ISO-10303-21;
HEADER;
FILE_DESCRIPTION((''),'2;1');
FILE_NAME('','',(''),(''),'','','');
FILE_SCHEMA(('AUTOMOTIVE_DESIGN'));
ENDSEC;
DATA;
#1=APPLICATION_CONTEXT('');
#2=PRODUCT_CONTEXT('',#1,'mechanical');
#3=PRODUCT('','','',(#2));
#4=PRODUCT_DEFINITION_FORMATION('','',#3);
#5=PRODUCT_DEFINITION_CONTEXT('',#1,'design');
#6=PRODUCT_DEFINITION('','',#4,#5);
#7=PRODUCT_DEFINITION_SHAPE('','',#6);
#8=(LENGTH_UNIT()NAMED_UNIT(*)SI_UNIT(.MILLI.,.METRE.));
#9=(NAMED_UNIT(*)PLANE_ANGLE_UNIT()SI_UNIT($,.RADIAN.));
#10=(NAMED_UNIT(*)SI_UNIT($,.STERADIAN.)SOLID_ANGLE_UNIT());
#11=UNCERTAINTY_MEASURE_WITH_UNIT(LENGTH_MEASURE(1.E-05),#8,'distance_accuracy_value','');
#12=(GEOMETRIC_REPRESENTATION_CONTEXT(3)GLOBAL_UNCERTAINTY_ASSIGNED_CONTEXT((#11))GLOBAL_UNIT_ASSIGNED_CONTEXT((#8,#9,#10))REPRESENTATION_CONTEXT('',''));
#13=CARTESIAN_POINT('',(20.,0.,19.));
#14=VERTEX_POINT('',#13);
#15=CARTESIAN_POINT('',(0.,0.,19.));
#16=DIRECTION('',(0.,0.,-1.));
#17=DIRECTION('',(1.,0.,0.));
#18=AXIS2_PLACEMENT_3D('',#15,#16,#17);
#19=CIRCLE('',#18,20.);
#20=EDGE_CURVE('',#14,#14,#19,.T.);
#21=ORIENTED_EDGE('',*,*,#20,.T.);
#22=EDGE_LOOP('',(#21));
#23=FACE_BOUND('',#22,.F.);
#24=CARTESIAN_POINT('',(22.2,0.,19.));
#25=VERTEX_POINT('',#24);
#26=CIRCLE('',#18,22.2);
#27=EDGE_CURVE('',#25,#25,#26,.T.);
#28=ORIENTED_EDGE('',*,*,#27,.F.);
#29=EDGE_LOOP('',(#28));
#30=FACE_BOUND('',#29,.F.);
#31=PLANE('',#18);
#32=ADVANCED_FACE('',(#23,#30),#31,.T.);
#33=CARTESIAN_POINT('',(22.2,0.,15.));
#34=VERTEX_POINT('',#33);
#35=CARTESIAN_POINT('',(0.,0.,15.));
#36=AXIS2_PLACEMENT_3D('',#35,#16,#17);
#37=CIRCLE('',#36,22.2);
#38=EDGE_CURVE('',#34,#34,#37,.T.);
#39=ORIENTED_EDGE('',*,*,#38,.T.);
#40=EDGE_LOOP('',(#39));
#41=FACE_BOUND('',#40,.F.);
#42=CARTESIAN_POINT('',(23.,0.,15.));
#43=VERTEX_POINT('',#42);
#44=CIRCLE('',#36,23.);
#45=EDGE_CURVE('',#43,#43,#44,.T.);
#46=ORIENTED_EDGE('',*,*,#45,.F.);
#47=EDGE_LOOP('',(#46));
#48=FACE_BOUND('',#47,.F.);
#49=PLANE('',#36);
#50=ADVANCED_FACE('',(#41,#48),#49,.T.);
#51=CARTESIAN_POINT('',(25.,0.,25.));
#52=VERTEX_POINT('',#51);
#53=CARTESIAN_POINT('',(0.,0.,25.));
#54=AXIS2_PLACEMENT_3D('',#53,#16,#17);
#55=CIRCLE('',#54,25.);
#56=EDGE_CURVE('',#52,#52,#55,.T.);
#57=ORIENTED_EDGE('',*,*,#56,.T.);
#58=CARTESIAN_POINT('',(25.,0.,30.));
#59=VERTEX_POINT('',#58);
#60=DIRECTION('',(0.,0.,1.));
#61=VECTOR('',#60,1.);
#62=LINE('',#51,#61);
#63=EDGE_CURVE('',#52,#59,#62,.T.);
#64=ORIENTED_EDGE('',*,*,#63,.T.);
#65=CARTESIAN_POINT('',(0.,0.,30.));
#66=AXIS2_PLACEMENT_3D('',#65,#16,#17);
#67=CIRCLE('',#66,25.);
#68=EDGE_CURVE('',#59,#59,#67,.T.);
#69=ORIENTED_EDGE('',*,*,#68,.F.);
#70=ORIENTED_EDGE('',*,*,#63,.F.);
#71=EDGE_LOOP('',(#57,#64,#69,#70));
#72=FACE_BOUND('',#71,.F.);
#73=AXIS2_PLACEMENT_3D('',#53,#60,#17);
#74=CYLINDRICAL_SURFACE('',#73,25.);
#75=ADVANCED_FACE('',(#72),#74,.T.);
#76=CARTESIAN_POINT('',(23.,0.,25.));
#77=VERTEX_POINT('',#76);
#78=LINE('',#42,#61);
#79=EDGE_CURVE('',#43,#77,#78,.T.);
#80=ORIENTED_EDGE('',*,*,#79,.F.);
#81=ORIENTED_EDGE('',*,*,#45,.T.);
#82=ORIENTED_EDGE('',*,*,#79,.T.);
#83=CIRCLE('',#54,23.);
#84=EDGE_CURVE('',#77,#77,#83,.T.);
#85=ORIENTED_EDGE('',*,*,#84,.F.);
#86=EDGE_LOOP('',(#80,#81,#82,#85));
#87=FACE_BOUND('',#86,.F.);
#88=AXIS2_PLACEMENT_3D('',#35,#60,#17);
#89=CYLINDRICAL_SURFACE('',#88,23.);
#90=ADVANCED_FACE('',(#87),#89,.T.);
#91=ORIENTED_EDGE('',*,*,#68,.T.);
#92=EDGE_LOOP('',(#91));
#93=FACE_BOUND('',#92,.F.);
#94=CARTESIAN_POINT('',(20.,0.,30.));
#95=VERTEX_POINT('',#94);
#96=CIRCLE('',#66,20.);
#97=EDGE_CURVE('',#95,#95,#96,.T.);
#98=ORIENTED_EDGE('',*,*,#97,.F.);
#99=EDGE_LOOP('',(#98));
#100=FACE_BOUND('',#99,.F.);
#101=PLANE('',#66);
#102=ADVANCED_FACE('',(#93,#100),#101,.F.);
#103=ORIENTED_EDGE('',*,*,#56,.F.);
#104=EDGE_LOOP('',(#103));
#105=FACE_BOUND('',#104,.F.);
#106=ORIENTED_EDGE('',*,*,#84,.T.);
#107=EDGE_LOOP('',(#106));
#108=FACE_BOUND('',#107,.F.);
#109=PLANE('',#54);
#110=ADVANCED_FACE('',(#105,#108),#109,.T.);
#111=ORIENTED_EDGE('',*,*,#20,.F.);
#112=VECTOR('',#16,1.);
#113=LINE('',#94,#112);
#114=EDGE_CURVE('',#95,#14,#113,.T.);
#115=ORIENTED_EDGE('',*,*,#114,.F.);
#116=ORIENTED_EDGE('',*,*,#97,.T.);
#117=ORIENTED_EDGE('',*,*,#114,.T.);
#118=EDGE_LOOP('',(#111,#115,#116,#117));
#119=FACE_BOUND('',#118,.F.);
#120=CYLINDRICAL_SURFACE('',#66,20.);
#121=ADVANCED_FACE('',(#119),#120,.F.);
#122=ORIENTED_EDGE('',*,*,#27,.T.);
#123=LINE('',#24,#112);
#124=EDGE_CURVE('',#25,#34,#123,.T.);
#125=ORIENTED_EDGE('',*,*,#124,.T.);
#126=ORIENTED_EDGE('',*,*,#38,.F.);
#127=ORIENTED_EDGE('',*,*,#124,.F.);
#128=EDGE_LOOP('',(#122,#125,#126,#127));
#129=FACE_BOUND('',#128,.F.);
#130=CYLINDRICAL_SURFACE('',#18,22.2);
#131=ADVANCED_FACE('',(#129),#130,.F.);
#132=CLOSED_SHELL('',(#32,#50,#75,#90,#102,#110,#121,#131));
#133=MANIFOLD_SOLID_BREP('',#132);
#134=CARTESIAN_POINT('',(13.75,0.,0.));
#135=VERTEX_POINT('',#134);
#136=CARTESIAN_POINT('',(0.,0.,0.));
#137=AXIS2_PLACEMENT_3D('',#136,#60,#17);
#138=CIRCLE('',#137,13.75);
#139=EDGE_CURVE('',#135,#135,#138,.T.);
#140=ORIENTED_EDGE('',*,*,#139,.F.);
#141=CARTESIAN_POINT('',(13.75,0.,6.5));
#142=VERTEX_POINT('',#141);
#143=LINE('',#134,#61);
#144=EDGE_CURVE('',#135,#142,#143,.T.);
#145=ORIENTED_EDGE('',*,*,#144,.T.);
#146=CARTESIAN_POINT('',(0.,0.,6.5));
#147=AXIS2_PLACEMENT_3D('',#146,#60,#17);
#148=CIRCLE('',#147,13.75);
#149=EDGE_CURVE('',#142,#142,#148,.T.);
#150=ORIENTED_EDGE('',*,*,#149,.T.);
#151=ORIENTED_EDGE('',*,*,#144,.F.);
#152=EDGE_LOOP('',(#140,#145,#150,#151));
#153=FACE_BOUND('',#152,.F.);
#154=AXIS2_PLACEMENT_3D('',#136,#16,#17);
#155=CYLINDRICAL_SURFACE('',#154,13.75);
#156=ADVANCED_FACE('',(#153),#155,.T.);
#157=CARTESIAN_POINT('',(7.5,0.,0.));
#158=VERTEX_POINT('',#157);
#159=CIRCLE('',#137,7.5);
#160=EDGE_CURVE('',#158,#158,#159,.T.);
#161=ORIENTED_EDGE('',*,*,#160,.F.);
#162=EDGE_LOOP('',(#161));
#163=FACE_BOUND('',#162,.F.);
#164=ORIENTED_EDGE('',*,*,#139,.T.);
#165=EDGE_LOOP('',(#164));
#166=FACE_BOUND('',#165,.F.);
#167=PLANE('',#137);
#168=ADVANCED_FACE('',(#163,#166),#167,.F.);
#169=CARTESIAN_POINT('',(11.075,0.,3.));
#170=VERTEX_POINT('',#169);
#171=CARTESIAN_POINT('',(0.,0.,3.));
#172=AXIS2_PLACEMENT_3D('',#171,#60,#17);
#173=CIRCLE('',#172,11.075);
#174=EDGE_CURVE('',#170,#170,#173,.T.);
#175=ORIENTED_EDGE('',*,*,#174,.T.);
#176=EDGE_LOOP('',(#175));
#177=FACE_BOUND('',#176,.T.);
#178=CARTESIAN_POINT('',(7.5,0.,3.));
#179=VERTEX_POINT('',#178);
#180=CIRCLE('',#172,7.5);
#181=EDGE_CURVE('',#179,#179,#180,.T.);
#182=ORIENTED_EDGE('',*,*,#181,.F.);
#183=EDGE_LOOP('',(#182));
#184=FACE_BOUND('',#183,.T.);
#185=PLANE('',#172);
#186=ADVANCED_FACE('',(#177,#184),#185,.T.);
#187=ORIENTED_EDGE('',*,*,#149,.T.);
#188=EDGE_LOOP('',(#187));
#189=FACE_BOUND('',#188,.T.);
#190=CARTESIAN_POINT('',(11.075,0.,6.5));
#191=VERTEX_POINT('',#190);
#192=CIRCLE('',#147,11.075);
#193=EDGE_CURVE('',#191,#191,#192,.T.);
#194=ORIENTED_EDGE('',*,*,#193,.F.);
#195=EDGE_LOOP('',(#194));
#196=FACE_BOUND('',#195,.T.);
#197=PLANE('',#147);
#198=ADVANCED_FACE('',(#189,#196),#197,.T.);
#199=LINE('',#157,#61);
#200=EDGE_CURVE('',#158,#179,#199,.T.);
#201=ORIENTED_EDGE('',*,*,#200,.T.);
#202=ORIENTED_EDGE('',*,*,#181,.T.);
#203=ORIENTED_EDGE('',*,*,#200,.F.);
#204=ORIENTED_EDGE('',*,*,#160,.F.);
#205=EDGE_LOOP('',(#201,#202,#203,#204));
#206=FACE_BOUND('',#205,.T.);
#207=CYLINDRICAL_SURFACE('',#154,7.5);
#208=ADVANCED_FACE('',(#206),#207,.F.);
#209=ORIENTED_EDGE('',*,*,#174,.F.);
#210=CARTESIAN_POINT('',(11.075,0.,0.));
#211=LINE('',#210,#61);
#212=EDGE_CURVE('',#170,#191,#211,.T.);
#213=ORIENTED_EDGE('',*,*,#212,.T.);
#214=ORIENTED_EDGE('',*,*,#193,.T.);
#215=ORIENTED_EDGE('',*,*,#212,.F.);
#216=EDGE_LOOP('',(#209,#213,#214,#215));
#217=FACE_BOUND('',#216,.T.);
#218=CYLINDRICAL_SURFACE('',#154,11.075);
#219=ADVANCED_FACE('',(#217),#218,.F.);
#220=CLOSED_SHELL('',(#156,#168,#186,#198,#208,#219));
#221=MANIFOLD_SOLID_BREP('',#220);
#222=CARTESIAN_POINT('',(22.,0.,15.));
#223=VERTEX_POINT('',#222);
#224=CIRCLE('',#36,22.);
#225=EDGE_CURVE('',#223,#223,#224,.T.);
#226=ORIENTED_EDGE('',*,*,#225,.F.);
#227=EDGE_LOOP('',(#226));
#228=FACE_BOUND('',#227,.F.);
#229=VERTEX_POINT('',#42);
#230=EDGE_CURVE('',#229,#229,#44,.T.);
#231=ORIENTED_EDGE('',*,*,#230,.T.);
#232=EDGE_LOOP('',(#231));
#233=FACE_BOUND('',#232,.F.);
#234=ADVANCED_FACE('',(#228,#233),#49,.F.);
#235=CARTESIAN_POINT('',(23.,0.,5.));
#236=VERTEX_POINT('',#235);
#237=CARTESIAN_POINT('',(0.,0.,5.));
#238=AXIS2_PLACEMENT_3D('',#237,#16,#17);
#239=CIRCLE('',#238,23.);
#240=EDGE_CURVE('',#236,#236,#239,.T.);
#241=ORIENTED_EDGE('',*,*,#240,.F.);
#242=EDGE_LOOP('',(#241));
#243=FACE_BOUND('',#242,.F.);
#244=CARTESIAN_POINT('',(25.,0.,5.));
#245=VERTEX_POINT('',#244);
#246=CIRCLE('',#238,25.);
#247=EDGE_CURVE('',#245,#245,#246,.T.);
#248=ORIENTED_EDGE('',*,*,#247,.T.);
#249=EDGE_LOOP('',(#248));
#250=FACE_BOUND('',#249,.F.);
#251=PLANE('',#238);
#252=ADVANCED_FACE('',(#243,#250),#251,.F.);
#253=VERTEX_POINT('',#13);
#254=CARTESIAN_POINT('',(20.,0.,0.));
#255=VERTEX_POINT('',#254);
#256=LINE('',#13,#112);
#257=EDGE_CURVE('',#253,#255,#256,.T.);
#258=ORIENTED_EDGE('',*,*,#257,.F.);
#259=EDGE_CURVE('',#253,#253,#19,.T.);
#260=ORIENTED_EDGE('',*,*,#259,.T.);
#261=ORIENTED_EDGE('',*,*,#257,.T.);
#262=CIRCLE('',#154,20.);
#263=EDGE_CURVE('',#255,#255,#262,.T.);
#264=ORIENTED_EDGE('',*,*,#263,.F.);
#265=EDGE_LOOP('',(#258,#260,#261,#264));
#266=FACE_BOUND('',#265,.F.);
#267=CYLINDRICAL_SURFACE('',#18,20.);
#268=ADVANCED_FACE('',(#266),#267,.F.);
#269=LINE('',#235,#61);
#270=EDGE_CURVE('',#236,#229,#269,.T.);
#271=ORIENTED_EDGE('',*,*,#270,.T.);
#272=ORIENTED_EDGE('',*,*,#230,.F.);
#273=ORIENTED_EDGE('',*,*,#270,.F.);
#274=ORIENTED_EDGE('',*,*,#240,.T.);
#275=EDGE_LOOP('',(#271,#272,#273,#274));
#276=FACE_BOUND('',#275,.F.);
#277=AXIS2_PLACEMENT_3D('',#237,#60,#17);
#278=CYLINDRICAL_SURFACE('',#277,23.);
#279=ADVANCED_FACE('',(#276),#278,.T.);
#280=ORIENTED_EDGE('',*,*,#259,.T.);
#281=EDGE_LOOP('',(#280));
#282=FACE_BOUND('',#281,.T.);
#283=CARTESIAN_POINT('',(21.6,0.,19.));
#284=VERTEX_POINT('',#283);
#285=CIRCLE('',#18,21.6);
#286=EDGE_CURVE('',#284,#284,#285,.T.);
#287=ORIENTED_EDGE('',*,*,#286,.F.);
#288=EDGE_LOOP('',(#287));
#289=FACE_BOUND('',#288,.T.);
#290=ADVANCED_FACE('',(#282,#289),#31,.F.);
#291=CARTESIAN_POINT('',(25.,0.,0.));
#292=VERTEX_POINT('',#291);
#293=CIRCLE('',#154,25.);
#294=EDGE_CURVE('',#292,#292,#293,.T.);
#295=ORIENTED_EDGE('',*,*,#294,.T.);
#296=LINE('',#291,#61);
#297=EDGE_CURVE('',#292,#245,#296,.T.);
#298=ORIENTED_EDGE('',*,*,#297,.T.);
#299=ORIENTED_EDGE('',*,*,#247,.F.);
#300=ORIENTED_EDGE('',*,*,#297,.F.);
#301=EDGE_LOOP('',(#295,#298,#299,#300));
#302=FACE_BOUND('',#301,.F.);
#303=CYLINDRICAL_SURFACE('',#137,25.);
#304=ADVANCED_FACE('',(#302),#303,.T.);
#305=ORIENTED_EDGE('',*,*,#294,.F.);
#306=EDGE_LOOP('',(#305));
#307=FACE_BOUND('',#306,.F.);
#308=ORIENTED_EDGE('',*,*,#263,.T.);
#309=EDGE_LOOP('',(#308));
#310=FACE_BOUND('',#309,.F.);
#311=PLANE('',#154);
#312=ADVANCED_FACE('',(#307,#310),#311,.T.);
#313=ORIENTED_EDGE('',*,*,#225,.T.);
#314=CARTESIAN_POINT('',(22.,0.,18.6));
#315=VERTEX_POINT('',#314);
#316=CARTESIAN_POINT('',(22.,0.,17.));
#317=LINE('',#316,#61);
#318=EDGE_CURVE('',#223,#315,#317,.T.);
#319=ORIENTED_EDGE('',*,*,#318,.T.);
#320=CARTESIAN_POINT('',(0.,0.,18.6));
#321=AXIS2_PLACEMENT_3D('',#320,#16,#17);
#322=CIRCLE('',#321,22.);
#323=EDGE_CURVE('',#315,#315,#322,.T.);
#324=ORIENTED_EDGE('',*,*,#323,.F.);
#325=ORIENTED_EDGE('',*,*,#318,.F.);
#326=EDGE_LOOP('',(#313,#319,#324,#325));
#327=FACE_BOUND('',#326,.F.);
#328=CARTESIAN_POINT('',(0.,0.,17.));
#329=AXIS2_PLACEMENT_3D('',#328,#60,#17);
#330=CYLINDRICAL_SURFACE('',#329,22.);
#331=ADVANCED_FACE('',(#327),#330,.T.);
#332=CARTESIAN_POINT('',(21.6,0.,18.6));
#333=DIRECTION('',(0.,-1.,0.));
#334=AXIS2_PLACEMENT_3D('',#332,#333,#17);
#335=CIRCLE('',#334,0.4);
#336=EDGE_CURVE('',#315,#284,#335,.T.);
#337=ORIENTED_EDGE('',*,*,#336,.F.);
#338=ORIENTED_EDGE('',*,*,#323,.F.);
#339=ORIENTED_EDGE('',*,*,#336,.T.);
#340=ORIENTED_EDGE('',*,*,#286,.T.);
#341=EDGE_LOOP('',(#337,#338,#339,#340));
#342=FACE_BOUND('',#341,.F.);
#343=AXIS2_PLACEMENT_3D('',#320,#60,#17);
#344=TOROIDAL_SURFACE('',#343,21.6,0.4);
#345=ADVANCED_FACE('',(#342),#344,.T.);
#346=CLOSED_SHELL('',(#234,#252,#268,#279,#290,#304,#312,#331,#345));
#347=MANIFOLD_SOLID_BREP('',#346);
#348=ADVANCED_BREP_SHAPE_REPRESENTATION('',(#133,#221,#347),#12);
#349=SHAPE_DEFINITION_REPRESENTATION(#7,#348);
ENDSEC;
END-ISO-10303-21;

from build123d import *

# Parameters (mm, degrees)
F0_R     = 13.75
F0_R_2   = 11.075
F2_DEPTH = 6.5
F0_R_3   = 7.5
F3_DEPTH = 3
F4_W     = 2
F4_H     = 4
F8_R     = 0.4


with BuildPart() as f2:
    # F0 (on Top) → F2 (new body)
    with BuildSketch(Plane.XY):
        Circle(F0_R)
        Circle(F0_R_2, mode=Mode.SUBTRACT)
    extrude(amount=F2_DEPTH)

    # F0 (on Top) → F3 (join)
    with BuildSketch(Plane.XY):
        Circle(F0_R_2)
        Circle(F0_R_3, mode=Mode.SUBTRACT)
    extrude(amount=F3_DEPTH)


with BuildPart() as f6:
    # F4 (on Front) → F6 (revolve)
    with BuildSketch(Plane.XZ):
        Polygon((23, 5), (23, 15), (22, 15), (20, 15), (20, 0), (25, 0), (25, 5), align=None)
        with Locations((21, 17)):
            Rectangle(F4_W, F4_H)
    revolve(axis=Axis((0, 0, 0), (0, 0, -1)))

    # F8
    f8_edges = [f6.edges().sort_by_distance(p)[0] for p in [
        (-22, 0, 19),
    ]]
    fillet(f8_edges, radius=F8_R)


with BuildPart() as f7:
    # F5 (on Front) → F7 (revolve)
    with BuildSketch(Plane.XZ):
        Polygon((25, 30), (20, 30), (20, 19), (22.2, 19), (22.2, 15), (23, 15), (23, 25), (25, 25), align=None)
    revolve(axis=Axis((0, 0, 0), (0, 0, -1)))


solid = Compound([f2.part, f6.part, f7.part])
